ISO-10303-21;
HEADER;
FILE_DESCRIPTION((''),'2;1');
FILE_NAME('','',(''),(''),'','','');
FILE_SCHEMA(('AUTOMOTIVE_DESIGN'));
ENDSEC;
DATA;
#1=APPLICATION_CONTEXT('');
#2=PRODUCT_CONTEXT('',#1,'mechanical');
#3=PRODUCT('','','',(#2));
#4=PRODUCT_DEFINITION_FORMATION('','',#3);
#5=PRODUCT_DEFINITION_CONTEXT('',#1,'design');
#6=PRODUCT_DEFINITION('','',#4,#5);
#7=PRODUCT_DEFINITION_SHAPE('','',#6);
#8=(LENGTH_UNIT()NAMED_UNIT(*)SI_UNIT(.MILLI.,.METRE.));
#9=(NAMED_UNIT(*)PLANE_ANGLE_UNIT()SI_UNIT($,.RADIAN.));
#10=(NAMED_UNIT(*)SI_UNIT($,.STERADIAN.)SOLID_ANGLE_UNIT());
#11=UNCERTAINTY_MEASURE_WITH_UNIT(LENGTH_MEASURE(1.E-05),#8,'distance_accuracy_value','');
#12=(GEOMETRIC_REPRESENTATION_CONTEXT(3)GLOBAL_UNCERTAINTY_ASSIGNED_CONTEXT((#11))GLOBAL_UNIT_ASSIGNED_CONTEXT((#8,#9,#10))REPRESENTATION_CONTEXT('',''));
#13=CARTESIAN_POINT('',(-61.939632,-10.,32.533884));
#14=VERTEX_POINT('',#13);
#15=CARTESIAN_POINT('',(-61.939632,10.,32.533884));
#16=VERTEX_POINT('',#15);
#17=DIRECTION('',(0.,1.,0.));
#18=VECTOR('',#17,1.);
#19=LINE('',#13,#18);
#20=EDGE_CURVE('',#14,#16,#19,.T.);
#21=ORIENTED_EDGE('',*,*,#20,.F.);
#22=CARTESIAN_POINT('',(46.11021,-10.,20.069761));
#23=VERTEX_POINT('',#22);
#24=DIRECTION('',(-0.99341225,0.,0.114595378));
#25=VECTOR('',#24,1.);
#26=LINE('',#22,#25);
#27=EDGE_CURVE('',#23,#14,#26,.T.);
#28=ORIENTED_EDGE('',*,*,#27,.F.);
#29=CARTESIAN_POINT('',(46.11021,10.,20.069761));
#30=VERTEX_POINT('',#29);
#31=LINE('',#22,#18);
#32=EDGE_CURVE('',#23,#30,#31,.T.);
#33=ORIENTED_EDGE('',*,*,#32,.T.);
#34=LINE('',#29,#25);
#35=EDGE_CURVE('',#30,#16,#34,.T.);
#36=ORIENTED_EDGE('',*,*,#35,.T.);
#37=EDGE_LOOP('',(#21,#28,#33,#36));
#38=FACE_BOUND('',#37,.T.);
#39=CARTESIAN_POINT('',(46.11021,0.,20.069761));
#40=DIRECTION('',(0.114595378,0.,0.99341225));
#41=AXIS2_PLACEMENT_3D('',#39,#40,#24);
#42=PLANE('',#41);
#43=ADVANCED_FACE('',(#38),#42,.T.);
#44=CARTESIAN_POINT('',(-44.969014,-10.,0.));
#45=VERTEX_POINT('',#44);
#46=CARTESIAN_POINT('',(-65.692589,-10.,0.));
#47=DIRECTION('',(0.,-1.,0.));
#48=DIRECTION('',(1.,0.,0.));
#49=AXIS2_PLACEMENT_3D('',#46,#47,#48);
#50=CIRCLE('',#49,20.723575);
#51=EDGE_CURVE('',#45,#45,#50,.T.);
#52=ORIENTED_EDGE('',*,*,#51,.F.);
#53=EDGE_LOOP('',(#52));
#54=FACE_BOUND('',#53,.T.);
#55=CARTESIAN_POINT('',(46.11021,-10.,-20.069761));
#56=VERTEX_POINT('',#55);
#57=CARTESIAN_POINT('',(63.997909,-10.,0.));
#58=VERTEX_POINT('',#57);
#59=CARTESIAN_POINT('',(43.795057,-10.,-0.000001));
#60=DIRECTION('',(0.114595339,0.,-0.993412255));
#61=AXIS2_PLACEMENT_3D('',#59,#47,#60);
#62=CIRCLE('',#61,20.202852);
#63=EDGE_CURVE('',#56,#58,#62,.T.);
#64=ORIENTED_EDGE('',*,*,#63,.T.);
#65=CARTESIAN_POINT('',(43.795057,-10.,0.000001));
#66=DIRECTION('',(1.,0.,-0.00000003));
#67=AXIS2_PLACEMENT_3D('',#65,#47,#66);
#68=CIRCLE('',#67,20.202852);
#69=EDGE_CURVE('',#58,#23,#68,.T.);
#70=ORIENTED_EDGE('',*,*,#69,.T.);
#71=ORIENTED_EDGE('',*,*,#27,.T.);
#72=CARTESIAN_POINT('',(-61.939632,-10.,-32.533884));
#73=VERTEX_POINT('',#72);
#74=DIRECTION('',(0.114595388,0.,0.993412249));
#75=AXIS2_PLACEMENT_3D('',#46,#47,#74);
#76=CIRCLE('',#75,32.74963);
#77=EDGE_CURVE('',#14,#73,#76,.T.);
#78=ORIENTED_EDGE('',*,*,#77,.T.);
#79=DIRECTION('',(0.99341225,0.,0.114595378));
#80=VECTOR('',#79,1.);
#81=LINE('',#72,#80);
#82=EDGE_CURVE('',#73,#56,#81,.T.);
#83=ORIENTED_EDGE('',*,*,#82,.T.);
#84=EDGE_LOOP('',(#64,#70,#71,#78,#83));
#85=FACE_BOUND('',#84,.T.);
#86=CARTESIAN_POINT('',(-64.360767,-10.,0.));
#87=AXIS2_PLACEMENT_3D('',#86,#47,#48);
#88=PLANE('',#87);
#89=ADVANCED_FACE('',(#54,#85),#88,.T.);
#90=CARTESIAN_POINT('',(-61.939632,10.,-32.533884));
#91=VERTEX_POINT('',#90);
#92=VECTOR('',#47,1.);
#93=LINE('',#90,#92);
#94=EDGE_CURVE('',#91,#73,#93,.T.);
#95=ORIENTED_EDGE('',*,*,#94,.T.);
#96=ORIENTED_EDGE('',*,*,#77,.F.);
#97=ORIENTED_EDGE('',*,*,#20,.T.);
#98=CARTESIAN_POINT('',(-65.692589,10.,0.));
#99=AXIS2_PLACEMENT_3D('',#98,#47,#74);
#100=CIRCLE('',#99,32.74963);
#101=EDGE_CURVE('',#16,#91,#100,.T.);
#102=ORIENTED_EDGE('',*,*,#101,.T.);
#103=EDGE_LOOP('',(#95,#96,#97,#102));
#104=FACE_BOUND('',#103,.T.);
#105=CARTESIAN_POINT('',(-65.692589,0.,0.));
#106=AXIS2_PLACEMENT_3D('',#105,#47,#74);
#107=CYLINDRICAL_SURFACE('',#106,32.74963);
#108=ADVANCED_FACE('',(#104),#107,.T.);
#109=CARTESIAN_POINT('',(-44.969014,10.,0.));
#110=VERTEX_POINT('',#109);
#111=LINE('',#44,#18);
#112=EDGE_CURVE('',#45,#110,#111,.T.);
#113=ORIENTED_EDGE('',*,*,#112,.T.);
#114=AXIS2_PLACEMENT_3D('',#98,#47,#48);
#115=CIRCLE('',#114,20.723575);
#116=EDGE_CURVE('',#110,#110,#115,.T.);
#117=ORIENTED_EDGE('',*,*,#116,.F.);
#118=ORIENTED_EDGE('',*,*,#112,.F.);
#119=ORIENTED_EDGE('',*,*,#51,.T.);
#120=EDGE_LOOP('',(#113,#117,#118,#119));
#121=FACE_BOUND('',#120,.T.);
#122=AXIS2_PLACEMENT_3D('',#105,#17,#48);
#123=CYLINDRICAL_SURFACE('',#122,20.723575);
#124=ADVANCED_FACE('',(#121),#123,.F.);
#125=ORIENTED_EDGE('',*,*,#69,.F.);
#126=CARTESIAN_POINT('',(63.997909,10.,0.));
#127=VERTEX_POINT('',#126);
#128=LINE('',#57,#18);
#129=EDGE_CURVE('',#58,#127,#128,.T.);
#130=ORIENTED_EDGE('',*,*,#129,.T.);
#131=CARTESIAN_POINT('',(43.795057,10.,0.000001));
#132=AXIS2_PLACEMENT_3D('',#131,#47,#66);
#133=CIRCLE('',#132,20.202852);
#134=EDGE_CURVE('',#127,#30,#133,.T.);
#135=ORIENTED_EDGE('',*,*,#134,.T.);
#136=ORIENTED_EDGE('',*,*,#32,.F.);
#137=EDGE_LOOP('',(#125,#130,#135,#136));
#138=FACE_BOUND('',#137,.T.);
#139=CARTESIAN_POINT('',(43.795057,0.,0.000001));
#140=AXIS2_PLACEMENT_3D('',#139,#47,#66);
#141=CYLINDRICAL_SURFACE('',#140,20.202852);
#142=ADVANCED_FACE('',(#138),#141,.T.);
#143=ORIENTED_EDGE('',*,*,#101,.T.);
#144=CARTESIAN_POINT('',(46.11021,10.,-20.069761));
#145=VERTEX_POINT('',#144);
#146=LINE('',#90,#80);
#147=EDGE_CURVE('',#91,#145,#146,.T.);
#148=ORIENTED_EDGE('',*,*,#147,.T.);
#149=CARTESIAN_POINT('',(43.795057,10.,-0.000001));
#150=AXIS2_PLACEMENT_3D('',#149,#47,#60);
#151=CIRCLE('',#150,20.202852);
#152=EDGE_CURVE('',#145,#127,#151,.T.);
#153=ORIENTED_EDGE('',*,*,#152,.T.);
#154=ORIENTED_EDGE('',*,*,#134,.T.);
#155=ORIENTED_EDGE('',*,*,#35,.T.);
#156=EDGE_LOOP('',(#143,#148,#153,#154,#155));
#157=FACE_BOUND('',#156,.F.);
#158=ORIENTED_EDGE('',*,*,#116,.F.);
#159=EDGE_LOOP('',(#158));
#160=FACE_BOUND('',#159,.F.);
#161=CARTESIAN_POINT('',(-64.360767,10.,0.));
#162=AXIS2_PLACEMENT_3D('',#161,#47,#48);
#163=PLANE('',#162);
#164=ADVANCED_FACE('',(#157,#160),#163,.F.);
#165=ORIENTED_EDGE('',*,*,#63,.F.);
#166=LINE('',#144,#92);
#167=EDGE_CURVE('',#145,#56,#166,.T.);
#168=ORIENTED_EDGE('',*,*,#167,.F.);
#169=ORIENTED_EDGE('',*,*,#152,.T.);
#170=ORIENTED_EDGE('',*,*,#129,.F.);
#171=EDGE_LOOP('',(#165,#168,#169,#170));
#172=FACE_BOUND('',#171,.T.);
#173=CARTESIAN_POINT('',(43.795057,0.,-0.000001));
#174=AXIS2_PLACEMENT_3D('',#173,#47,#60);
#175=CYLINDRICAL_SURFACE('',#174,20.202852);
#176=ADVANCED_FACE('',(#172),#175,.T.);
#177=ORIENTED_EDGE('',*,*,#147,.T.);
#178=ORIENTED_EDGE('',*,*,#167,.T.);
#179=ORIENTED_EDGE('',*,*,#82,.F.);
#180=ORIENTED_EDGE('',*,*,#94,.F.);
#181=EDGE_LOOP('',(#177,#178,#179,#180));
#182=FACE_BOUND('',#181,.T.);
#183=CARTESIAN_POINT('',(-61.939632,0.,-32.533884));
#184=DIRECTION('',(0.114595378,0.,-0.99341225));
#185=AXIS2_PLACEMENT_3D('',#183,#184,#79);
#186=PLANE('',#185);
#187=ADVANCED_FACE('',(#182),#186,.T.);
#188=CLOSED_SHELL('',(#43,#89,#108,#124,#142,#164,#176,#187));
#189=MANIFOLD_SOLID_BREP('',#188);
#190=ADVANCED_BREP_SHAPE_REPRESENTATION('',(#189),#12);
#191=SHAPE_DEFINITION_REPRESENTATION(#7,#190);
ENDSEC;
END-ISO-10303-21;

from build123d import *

# Parameters (mm, degrees)
F0_R     = 20.723575
F1_DEPTH = 10


with BuildPart() as f1:
    # F0 (on Front) → F1 (new body, symmetric)
    with BuildSketch(Plane.XZ):
        with BuildLine():
            ThreePointArc((-61.939632, -32.533884), (-41.244212, -21.790254), (-32.942958, 0))
            ThreePointArc((-32.942958, 0), (-41.244212, 21.790254), (-61.939632, 32.533884))
            ThreePointArc((-61.939632, 32.533884), (-98.442219, 0), (-61.939632, -32.533884))
        make_face()
        with Locations((-65.692589, 0)):
            Circle(F0_R, mode=Mode.SUBTRACT)
        with BuildLine():
            ThreePointArc((-61.939632, 32.533884), (-41.244212, 21.790254), (-32.942958, 0))
            ThreePointArc((-32.942958, 0), (-41.244212, -21.790254), (-61.939632, -32.533884))
            Line((-61.939632, -32.533884), (46.11021, -20.069761))
            ThreePointArc((46.11021, -20.069761), (23.592204, 0), (46.11021, 20.069761))
            Line((46.11021, 20.069761), (-61.939632, 32.533884))
        make_face()
        with BuildLine():
            ThreePointArc((63.997909, 0), (58.876966, 13.442145), (46.11021, 20.069761))
            ThreePointArc((46.11021, 20.069761), (23.592204, 0), (46.11021, -20.069761))
            ThreePointArc((46.11021, -20.069761), (58.876966, -13.442145), (63.997909, 0))
        make_face()
    extrude(amount=F1_DEPTH, both=True)


solid = f1.part
